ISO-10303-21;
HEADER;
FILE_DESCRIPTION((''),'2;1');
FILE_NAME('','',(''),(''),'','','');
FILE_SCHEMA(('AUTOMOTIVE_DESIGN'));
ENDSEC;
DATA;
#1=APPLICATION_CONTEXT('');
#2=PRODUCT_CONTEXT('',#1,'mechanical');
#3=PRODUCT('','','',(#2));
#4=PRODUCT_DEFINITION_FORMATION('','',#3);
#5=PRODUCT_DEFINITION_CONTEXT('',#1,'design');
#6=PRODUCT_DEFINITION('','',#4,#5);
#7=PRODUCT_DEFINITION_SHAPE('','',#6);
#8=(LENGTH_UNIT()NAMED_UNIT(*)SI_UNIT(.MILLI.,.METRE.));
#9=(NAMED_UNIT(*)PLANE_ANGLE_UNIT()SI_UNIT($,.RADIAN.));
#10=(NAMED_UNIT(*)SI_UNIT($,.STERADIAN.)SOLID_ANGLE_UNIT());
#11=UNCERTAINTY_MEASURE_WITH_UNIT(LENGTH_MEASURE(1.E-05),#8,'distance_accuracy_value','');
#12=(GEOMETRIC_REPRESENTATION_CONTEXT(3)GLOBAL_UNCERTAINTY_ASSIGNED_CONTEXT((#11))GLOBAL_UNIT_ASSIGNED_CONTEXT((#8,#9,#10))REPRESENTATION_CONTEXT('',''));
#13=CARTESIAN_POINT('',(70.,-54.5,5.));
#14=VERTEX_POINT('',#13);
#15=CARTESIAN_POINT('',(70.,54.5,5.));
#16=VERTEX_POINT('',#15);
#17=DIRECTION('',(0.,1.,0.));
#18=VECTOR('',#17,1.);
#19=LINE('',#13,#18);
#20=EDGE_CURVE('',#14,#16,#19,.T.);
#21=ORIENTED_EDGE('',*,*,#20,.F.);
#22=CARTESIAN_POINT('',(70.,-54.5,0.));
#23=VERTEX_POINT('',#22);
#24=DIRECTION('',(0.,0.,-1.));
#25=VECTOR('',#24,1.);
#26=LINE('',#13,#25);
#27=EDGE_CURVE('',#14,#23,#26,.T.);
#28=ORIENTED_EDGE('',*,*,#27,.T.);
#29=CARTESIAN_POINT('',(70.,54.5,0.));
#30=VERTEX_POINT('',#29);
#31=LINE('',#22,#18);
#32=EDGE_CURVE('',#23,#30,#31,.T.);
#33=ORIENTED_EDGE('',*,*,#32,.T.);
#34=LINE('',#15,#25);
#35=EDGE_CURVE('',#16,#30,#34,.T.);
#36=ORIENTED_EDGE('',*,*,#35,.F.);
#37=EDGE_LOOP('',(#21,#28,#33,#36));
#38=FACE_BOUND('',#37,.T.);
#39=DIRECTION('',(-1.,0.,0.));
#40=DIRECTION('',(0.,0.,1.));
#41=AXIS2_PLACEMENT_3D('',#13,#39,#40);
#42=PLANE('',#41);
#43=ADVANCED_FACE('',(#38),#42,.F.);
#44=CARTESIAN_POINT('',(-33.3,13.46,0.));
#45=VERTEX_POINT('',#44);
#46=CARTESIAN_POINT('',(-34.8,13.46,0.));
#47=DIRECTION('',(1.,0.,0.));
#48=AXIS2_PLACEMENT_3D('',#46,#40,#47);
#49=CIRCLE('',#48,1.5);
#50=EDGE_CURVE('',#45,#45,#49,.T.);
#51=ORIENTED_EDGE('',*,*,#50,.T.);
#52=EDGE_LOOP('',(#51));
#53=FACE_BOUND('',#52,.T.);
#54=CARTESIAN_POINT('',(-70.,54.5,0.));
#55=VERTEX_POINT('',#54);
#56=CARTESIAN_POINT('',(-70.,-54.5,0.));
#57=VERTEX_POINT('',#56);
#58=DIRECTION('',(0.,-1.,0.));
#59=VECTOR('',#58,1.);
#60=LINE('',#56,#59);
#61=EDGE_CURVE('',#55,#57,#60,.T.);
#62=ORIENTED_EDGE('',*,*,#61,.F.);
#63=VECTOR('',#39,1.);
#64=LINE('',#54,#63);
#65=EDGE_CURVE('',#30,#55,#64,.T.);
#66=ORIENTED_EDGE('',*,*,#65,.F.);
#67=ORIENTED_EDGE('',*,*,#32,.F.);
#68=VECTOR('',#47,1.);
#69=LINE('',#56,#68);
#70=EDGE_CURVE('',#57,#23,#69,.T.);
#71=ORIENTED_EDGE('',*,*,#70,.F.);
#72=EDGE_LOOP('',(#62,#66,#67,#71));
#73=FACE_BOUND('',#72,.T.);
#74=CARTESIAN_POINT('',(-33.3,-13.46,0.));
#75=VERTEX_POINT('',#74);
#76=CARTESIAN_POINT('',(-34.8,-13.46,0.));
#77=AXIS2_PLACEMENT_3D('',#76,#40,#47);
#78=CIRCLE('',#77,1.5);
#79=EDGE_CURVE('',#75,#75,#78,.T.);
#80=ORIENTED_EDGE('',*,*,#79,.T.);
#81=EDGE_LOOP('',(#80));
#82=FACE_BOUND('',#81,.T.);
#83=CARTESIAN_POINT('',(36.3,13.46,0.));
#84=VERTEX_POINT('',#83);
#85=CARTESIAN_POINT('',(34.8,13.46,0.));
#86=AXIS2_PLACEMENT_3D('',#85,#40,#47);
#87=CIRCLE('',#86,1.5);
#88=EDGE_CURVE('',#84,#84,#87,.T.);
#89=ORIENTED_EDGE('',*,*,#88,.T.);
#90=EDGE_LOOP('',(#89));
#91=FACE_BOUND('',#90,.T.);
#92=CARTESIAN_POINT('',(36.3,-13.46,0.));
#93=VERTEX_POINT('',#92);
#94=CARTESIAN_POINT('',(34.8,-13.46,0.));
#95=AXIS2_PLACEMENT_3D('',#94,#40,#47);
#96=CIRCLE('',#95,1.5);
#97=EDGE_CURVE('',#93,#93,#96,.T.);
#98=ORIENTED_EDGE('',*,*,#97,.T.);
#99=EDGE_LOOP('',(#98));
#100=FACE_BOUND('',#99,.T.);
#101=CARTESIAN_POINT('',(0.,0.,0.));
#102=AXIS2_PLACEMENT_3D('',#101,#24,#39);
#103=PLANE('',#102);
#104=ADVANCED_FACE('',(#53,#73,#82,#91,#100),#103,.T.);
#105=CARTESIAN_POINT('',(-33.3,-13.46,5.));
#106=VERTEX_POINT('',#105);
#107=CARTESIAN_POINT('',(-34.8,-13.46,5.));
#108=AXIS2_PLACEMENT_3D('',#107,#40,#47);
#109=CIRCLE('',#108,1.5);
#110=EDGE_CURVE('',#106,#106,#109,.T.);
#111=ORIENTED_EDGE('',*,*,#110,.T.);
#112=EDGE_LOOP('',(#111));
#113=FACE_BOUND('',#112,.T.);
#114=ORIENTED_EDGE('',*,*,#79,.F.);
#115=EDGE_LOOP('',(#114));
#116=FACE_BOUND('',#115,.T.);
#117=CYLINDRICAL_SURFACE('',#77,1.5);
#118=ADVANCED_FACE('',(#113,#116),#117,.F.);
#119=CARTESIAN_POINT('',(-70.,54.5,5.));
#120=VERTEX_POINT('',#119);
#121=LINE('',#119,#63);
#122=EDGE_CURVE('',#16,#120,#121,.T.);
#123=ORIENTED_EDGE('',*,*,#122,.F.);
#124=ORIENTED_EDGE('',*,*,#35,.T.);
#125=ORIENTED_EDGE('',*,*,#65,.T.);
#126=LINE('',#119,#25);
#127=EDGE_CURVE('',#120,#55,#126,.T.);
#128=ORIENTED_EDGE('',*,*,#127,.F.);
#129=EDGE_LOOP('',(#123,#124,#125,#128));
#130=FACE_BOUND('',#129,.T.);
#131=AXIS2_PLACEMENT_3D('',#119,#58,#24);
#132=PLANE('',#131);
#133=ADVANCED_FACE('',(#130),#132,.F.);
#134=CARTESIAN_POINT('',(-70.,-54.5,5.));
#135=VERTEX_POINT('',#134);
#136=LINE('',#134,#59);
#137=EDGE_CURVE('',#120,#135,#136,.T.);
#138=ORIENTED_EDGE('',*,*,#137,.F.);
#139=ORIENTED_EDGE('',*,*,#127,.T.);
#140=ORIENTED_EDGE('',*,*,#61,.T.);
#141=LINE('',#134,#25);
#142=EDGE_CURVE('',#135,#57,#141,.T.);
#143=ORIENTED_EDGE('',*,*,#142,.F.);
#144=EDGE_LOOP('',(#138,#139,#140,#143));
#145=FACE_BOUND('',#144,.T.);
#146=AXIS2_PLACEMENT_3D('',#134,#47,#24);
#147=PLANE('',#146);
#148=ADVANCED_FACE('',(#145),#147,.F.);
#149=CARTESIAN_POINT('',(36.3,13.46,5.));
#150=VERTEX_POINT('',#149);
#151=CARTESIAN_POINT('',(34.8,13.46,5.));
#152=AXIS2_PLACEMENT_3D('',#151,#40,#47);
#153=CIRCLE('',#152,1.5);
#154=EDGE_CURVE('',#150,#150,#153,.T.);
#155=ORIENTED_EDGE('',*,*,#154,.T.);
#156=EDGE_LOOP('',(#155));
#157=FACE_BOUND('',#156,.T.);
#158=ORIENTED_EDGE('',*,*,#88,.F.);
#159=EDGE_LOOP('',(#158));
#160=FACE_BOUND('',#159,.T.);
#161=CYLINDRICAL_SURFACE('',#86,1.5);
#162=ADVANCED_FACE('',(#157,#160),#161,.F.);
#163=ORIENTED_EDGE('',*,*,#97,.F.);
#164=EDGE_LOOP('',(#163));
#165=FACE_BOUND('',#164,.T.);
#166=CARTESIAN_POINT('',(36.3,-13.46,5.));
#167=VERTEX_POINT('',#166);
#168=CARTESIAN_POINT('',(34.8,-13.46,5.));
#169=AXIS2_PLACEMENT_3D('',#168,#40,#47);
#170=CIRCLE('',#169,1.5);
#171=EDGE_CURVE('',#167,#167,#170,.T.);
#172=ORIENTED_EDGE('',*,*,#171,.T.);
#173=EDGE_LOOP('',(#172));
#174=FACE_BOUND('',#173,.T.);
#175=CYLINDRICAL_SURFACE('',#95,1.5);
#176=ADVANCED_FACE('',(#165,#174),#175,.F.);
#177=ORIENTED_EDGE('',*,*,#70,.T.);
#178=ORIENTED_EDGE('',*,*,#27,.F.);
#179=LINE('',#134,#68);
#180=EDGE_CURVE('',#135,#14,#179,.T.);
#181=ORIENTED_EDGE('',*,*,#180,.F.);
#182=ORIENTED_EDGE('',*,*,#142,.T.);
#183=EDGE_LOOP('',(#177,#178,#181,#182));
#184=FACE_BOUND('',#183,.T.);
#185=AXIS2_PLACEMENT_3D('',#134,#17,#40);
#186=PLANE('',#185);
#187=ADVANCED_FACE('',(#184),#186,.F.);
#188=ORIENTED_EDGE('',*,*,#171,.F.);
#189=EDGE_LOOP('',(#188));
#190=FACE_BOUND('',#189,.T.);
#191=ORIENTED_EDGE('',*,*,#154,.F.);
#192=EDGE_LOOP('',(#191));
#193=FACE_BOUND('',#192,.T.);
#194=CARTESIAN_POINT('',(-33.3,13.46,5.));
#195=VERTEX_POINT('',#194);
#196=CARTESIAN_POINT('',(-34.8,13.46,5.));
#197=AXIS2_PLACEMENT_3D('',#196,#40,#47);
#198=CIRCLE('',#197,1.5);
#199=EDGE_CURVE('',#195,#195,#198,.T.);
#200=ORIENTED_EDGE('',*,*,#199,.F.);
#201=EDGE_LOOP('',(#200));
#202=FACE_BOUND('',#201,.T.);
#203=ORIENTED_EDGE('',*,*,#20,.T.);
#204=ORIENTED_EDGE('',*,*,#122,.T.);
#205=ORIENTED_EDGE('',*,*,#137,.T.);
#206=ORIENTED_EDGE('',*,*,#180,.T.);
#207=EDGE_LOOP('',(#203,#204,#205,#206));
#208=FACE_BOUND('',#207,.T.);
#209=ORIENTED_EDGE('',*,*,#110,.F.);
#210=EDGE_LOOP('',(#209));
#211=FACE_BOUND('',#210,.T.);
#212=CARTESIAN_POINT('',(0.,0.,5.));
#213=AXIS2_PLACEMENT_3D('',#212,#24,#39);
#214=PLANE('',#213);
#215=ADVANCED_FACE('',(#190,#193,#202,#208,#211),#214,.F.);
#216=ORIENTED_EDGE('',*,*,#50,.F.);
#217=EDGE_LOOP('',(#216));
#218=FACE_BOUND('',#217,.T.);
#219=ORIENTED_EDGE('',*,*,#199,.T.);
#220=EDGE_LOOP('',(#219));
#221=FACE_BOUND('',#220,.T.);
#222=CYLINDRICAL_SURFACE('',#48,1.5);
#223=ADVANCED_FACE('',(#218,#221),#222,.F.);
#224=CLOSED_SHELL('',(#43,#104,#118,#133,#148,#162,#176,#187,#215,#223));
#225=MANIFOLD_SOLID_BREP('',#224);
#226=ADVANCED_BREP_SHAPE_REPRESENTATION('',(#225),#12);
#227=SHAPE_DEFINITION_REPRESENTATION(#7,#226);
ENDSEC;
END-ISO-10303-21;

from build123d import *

# Parameters (mm, degrees)
SKETCH1_W           = 140
SKETCH1_H           = 109
BOSS_EXTRUDE1_DEPTH = 5
SKETCH2_R           = 1.5
CUT_EXTRUDE1_DEPTH  = 5


with BuildPart() as part:
    # Sketch1 → Boss-Extrude1 (new body)
    with BuildSketch(Plane.XY):
        Rectangle(SKETCH1_W, SKETCH1_H)
    extrude(amount=BOSS_EXTRUDE1_DEPTH)

    # Sketch2 → Cut-Extrude1 (cut)
    with BuildSketch(Plane.XY.offset(5)):
        with Locations((-34.8, 13.46)):
            Circle(SKETCH2_R)
        with Locations((34.8, 13.46)):
            Circle(SKETCH2_R)
        with Locations((34.8, -13.46)):
            Circle(SKETCH2_R)
        with Locations((-34.8, -13.46)):
            Circle(SKETCH2_R)
    extrude(amount=-CUT_EXTRUDE1_DEPTH, mode=Mode.SUBTRACT)


solid = part.part
